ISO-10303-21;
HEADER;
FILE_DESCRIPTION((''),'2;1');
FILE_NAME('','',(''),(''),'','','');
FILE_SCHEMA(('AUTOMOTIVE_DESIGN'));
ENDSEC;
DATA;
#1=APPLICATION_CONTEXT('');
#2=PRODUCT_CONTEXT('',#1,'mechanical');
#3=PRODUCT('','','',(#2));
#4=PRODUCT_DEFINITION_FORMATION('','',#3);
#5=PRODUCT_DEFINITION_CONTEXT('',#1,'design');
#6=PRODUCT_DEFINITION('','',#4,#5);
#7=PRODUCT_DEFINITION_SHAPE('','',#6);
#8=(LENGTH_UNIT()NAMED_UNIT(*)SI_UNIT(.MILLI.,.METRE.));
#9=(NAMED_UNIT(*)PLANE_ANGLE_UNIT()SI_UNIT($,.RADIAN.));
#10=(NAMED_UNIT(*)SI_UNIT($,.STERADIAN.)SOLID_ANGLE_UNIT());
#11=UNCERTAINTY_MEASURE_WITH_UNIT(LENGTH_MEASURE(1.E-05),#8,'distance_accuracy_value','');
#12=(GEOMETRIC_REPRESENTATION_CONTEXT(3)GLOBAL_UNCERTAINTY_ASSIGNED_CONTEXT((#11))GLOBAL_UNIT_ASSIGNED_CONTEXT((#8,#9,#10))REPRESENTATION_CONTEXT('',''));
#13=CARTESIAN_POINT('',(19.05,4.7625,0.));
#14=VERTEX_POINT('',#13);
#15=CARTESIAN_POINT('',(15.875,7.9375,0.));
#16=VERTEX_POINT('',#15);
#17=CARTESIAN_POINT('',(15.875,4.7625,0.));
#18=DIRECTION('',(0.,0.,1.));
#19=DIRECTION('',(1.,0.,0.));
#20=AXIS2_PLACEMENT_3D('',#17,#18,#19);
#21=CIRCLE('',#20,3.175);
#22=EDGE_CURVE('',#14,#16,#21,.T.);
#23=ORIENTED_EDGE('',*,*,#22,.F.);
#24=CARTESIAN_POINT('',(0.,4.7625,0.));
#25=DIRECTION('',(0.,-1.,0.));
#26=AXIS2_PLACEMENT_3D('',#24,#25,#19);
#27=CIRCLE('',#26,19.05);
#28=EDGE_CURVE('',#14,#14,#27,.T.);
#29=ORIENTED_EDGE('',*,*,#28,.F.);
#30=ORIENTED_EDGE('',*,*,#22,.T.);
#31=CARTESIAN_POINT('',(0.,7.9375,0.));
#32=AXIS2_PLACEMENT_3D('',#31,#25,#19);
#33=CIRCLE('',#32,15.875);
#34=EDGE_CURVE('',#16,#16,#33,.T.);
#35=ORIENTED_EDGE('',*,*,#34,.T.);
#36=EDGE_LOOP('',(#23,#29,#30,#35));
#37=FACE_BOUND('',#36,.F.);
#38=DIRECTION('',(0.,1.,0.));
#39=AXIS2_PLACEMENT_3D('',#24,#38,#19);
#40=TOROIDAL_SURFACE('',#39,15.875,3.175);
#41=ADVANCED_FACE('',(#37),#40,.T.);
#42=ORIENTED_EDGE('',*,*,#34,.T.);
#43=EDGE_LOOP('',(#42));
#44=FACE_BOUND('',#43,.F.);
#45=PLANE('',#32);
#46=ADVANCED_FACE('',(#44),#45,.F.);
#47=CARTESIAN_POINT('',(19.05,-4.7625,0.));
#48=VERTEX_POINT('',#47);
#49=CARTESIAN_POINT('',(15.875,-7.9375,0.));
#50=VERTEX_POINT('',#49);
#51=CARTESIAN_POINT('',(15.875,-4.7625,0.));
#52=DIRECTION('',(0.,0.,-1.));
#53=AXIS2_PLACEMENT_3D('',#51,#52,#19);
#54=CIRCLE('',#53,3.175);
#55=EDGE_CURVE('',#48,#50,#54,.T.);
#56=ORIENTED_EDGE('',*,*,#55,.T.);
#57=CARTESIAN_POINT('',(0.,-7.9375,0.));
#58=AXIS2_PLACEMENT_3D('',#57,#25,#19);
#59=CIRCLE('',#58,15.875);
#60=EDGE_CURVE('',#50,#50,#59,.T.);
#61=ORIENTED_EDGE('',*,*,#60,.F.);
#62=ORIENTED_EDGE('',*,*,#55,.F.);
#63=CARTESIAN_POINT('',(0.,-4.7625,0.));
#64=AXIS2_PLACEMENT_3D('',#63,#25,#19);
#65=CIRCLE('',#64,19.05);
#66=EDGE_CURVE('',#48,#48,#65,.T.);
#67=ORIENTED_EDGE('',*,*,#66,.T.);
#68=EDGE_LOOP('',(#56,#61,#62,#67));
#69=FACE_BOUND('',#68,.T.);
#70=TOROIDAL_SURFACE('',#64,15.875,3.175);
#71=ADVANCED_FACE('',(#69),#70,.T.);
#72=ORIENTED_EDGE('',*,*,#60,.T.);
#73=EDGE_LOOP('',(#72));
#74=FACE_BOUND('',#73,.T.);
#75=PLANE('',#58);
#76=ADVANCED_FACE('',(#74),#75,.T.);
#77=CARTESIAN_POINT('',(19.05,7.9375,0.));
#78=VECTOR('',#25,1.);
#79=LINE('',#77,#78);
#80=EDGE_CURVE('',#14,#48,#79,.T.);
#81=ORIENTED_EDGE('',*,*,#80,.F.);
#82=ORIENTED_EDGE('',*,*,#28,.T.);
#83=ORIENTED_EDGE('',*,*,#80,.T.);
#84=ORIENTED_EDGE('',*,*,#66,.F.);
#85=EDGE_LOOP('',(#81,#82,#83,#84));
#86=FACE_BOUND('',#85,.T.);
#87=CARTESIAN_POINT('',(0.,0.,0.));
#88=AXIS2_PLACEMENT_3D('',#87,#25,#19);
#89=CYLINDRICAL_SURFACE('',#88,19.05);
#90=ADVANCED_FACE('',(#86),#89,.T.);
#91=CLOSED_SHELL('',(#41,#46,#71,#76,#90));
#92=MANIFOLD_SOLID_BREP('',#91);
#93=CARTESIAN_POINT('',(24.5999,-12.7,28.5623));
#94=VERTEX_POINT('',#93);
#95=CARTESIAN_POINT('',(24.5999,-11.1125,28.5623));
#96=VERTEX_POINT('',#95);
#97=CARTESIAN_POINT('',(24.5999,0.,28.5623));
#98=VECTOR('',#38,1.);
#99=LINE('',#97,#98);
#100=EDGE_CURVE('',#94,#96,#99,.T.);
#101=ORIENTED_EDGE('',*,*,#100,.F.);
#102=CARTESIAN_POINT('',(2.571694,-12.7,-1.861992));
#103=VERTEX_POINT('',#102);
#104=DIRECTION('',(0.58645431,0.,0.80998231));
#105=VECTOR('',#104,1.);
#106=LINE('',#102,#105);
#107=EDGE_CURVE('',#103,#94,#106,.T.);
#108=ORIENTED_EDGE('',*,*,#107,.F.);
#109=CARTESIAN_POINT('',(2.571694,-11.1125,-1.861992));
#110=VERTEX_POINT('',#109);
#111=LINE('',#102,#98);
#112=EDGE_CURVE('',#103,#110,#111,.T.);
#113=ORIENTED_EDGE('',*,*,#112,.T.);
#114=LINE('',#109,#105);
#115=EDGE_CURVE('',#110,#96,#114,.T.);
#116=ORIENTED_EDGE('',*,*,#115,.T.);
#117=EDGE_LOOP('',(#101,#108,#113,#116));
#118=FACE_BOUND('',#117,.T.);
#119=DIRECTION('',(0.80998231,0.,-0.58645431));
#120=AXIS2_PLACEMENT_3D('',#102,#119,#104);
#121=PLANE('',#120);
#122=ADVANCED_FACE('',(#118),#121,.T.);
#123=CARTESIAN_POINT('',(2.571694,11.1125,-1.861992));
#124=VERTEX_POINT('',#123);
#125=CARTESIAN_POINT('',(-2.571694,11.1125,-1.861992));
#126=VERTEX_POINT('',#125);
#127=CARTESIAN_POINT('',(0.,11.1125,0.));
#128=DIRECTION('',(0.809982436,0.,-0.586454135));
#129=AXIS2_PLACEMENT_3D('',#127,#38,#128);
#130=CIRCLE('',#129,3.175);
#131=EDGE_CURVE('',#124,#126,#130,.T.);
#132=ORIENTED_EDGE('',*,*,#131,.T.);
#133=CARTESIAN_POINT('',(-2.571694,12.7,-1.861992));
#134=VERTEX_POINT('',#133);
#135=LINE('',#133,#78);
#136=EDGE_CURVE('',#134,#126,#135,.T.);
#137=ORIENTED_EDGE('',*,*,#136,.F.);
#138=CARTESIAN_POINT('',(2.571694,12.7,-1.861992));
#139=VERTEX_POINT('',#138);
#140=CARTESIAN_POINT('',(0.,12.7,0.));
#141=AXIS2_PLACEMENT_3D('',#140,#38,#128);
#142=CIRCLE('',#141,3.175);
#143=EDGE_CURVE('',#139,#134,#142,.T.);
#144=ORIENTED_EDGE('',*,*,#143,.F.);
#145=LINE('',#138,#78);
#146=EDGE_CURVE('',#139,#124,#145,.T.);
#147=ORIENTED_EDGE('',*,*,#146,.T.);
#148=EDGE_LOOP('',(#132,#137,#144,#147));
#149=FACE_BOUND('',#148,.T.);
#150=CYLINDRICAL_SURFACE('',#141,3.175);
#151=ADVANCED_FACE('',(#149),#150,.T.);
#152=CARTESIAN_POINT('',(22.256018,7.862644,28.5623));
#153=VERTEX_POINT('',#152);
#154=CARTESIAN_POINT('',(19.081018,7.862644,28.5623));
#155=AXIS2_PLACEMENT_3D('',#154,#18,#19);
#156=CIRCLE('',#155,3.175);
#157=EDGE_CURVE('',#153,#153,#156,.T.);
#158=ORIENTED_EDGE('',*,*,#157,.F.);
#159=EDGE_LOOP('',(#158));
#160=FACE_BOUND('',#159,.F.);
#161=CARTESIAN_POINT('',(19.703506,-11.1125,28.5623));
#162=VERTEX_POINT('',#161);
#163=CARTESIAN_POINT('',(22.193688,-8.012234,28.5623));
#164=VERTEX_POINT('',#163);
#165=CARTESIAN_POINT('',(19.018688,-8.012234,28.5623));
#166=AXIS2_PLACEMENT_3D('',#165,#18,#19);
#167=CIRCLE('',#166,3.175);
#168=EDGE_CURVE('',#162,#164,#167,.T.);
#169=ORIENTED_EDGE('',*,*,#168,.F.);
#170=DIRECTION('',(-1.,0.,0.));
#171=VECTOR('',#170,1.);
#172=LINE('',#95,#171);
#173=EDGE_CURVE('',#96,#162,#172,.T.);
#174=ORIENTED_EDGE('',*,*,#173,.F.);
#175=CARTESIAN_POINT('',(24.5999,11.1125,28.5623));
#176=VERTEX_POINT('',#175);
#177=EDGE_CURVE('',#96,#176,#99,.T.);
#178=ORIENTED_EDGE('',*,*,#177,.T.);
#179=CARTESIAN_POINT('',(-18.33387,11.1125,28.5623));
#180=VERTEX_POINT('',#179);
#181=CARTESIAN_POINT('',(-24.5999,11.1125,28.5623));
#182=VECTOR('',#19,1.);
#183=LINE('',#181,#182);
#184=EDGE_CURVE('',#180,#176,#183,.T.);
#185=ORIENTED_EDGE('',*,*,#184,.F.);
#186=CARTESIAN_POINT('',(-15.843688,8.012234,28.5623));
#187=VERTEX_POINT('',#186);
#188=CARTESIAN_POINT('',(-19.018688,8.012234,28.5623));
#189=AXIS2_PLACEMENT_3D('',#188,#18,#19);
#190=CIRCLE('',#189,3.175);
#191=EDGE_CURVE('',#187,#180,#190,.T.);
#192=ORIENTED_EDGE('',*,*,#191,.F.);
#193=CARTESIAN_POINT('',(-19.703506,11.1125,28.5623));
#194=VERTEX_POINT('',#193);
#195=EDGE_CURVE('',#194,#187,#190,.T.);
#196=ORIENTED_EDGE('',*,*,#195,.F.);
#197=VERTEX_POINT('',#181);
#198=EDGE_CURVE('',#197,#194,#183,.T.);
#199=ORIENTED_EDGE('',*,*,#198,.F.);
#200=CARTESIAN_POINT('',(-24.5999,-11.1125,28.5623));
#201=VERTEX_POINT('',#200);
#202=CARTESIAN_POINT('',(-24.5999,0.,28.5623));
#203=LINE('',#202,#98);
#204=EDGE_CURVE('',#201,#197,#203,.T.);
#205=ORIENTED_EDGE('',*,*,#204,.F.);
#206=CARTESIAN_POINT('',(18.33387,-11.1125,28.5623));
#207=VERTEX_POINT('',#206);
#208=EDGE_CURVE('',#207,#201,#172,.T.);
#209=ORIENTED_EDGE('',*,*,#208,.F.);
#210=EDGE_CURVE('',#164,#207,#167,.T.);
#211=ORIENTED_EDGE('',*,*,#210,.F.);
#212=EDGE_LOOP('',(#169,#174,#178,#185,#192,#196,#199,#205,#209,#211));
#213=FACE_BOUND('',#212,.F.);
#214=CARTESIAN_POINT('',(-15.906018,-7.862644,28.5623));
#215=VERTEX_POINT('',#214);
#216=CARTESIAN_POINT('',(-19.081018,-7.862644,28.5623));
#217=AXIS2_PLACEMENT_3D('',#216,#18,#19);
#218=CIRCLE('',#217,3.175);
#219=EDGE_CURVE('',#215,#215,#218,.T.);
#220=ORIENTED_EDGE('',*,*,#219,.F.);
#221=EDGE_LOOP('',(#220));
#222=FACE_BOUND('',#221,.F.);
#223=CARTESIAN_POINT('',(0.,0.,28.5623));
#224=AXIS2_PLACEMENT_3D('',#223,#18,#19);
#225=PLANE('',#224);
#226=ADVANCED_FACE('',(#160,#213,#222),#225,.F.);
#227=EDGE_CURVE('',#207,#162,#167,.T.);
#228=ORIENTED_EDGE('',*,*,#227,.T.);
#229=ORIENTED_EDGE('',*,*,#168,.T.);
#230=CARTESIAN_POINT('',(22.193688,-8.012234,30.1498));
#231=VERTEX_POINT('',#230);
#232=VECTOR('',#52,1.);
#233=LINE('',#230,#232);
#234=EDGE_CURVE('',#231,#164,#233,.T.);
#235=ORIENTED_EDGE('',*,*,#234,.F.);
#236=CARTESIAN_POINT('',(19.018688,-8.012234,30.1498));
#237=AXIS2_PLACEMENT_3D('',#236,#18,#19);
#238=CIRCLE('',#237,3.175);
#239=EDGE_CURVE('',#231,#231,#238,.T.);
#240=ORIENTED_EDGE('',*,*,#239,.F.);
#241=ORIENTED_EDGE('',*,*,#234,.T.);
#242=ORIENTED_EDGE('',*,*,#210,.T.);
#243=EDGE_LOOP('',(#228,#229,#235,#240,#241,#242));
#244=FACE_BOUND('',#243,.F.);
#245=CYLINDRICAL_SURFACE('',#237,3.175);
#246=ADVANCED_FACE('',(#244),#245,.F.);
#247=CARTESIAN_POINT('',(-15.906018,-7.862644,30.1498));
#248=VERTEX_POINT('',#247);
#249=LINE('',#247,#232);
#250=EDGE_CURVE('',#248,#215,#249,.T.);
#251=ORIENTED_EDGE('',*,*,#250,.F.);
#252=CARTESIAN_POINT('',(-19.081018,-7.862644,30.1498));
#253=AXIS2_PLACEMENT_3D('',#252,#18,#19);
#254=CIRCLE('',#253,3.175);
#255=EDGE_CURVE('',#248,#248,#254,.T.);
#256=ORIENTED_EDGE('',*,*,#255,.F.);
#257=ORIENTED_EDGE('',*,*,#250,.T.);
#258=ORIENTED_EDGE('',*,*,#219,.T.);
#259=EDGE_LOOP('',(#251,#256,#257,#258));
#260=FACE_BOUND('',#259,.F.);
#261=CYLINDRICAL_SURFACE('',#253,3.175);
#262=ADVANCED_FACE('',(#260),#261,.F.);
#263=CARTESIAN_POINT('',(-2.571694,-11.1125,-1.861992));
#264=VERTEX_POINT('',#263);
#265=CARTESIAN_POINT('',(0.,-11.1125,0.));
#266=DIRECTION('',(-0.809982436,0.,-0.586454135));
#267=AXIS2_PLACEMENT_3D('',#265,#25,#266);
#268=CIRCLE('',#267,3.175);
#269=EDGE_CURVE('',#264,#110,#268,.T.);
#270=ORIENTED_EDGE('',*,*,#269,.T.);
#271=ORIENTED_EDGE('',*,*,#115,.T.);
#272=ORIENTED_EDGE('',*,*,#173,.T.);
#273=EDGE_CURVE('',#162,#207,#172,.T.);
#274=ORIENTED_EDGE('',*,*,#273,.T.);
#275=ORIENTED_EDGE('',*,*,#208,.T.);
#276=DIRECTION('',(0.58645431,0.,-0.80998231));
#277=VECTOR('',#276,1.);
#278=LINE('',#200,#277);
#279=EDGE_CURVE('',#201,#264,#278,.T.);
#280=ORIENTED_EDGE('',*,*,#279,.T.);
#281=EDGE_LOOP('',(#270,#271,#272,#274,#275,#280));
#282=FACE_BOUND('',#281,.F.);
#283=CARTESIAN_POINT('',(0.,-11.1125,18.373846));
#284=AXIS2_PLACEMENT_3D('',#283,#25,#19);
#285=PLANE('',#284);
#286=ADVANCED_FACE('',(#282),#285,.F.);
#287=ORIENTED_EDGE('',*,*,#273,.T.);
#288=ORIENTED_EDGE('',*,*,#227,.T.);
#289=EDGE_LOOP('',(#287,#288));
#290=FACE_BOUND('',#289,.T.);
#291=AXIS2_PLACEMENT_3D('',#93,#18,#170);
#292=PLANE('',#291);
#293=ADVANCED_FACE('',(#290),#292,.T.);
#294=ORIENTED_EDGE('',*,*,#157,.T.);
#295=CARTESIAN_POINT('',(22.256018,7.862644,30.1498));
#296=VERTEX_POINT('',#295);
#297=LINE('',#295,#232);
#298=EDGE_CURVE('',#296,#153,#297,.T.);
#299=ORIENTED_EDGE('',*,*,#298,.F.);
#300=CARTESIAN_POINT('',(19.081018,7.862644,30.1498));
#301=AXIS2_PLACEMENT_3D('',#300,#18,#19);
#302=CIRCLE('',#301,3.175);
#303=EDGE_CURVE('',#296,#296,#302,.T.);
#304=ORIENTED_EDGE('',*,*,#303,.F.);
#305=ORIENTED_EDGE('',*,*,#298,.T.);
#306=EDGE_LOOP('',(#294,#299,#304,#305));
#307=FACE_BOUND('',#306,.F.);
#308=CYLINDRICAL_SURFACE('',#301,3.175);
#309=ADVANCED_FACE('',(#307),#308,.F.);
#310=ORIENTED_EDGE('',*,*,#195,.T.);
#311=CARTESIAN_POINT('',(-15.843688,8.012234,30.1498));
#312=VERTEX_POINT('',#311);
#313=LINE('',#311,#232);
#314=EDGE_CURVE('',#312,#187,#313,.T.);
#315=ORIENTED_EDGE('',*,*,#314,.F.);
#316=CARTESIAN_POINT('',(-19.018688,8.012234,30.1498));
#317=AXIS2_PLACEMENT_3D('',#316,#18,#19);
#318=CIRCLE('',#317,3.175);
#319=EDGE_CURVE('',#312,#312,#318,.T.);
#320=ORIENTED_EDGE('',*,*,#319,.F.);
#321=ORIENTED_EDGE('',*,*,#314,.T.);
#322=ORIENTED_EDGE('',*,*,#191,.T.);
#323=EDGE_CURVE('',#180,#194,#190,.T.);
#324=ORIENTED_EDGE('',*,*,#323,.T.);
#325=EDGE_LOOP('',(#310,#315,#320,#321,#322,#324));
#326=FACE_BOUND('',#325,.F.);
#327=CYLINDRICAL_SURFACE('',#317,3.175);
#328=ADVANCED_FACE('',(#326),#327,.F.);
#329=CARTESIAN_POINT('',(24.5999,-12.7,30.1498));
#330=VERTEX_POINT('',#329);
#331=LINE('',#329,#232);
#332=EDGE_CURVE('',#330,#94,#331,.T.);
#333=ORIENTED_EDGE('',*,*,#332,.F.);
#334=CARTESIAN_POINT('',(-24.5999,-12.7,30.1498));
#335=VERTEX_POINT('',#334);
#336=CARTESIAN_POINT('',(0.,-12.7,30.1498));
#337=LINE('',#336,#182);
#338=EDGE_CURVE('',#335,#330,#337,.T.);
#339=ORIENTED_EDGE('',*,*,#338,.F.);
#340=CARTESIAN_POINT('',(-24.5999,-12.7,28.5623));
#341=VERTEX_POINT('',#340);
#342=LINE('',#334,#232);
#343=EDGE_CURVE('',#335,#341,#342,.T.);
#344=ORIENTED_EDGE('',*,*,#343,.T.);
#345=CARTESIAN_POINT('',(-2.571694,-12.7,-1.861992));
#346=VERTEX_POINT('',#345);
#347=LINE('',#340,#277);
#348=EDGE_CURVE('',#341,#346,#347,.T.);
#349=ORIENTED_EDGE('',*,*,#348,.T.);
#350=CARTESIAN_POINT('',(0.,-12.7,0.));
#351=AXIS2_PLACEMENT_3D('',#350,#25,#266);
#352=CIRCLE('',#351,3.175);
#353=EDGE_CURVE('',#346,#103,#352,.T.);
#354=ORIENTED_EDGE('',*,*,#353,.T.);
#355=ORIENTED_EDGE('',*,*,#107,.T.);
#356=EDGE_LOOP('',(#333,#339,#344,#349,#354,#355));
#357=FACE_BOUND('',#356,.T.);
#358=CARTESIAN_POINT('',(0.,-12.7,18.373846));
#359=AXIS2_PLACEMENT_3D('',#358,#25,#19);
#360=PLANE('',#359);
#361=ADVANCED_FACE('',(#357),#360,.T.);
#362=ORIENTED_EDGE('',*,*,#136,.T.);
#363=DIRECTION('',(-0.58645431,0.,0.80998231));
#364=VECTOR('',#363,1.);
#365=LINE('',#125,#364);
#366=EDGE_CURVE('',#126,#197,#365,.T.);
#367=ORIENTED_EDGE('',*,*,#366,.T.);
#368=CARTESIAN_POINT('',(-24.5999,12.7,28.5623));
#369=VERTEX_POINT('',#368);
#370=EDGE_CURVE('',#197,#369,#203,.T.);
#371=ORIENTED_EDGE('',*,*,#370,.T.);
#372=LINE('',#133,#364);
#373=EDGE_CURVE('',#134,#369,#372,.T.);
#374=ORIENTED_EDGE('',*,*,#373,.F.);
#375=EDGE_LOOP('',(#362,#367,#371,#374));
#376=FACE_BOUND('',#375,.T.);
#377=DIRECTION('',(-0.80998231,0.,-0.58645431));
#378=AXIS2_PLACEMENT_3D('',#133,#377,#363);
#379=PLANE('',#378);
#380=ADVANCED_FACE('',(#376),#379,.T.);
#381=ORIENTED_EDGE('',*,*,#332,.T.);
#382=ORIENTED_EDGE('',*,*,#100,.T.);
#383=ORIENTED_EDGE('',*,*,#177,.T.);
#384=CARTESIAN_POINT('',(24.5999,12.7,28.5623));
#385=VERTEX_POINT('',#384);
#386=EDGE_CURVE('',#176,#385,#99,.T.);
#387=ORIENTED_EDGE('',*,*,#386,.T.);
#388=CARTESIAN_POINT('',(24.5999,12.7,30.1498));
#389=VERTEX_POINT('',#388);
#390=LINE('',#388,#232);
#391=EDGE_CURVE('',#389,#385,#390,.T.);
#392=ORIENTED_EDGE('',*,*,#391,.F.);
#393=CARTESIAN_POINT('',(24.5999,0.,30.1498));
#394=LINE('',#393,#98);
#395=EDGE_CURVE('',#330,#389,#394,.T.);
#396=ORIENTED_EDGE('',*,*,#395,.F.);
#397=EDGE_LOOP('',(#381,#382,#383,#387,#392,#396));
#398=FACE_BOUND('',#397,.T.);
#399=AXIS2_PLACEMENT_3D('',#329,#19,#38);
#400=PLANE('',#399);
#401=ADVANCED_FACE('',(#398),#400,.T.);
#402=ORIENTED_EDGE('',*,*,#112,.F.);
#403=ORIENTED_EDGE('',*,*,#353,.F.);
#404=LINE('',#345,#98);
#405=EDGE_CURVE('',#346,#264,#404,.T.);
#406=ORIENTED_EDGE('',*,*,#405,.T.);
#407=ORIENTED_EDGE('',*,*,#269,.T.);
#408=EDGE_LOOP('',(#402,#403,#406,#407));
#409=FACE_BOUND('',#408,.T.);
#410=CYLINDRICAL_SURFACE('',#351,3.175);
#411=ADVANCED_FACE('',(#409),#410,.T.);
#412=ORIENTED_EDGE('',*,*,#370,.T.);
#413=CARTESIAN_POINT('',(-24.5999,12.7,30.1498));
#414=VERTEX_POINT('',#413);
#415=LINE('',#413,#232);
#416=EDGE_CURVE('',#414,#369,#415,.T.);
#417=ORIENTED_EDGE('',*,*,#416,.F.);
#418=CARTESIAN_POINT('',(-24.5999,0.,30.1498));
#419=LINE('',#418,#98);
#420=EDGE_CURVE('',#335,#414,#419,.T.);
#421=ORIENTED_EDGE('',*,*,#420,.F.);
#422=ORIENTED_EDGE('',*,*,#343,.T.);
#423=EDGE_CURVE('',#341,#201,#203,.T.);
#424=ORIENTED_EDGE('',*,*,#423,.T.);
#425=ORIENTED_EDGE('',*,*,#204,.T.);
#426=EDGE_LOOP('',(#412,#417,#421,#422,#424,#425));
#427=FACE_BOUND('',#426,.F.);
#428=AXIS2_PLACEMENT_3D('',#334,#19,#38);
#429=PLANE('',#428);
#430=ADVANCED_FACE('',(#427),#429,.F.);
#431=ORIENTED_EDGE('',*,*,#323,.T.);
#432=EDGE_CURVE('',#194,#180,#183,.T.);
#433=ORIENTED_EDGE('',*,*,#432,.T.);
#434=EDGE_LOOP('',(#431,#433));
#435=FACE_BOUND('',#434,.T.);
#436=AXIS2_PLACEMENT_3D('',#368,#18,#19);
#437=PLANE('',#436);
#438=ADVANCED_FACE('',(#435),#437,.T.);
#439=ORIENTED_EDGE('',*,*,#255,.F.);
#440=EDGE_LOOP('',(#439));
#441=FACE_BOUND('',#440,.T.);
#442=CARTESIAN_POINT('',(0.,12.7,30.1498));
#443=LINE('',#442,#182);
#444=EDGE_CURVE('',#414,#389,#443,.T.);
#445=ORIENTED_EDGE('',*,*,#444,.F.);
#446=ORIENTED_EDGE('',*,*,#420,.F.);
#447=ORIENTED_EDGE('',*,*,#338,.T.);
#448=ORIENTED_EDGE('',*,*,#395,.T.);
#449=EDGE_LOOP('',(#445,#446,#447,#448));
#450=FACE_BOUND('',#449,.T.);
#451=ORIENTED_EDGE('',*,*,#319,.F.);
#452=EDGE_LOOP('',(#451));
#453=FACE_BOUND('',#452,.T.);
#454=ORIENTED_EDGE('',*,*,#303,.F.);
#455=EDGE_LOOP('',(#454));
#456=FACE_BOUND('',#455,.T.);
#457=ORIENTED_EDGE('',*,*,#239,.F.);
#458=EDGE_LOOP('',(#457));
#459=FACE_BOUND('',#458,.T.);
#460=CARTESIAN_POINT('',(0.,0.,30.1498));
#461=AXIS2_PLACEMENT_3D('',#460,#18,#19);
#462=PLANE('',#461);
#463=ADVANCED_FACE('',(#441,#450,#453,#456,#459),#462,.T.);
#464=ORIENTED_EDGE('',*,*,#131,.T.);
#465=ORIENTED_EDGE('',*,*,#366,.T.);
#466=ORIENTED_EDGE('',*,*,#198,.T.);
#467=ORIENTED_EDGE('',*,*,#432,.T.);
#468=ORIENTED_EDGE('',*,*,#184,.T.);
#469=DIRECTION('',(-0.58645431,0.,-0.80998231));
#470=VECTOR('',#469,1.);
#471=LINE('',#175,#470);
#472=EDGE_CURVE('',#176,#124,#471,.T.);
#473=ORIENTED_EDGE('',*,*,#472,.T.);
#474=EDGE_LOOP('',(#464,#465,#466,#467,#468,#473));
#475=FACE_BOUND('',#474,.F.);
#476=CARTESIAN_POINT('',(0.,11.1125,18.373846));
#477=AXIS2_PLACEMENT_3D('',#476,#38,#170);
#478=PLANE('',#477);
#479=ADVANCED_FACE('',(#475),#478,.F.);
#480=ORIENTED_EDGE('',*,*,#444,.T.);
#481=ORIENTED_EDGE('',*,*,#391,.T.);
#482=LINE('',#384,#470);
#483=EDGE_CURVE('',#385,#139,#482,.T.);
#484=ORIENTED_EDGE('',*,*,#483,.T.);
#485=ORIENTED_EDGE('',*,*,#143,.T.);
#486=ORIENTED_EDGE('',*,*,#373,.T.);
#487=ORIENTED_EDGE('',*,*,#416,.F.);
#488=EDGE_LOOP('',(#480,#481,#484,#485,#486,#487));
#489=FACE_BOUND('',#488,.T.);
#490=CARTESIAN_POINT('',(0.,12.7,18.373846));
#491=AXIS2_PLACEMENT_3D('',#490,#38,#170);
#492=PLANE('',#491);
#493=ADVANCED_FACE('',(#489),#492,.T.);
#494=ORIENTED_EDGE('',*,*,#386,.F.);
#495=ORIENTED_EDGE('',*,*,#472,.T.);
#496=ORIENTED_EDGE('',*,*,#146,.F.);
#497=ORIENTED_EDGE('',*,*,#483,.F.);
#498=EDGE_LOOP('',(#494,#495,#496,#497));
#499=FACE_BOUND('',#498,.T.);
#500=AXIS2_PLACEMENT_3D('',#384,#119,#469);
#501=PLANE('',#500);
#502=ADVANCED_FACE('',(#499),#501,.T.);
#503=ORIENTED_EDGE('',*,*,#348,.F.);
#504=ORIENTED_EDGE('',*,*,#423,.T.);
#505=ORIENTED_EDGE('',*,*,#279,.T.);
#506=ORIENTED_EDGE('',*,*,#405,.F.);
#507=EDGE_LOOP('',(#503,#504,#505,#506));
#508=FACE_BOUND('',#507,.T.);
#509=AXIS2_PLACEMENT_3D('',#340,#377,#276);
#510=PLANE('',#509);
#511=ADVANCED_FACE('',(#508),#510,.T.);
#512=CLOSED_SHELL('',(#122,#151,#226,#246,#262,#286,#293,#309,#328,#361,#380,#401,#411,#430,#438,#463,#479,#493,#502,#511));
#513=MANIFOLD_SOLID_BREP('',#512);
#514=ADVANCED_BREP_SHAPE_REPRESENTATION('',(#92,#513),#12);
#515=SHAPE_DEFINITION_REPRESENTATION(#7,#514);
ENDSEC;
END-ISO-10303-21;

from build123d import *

# Parameters (mm, degrees)
F0_R     = 19.05
F1_DEPTH = 7.9375
F2_R     = 3.175
F4_W     = 49.1998
F4_H     = 25.4
F4_R     = 3.175
F5_DEPTH = 1.5875
F7_DEPTH = 1.5875
F9_DEPTH = 1.5875


with BuildPart() as f1:
    # F0 (on Front) → F1 (new body, symmetric)
    with BuildSketch(Plane.XZ):
        Circle(F0_R)
    extrude(amount=F1_DEPTH, both=True)

    # F2
    f2_edges = [f1.edges().sort_by_distance(p)[0] for p in [
        (-19.05, 7.9375, 0),
        (-19.05, -7.9375, 0),
    ]]
    fillet(f2_edges, radius=F2_R)


with BuildPart() as f5:
    # F4 (on offset) → F5 (new body)
    with BuildSketch(Plane.XY.offset(30.1498)):
        Rectangle(F4_W, F4_H)
        with Locations((-19.081018, -7.862644)):
            Circle(F4_R, mode=Mode.SUBTRACT)
        with Locations((19.018688, -8.012234)):
            Circle(F4_R, mode=Mode.SUBTRACT)
        with Locations((-19.018688, 8.012234)):
            Circle(F4_R, mode=Mode.SUBTRACT)
        with Locations((19.081018, 7.862644)):
            Circle(F4_R, mode=Mode.SUBTRACT)
    extrude(amount=-F5_DEPTH)

    # F6 (on face) → F7 (join)
    with BuildSketch(Plane.XZ.offset(12.7)):
        with BuildLine():
            Line((-24.5999, 28.5623), (-2.571694, -1.861992))
            ThreePointArc((-2.571694, -1.861992), (0, -3.175), (2.571694, -1.861992))
            Line((2.571694, -1.861992), (24.5999, 28.5623))
            Line((24.5999, 28.5623), (-24.5999, 28.5623))
        make_face()
    extrude(amount=-F7_DEPTH)

    # F8 (on face) → F9 (join)
    with BuildSketch(Plane(origin=(0, 12.7, 0), x_dir=(-1, 0, 0), z_dir=(0, 1, 0))):
        with BuildLine():
            Line((-24.5999, 28.5623), (-2.571694, -1.861992))
            ThreePointArc((-2.571694, -1.861992), (0, -3.175), (2.571694, -1.861992))
            Line((2.571694, -1.861992), (24.5999, 28.5623))
            Line((24.5999, 28.5623), (-24.5999, 28.5623))
        make_face()
    extrude(amount=-F9_DEPTH)


solid = Compound([f1.part, f5.part])
